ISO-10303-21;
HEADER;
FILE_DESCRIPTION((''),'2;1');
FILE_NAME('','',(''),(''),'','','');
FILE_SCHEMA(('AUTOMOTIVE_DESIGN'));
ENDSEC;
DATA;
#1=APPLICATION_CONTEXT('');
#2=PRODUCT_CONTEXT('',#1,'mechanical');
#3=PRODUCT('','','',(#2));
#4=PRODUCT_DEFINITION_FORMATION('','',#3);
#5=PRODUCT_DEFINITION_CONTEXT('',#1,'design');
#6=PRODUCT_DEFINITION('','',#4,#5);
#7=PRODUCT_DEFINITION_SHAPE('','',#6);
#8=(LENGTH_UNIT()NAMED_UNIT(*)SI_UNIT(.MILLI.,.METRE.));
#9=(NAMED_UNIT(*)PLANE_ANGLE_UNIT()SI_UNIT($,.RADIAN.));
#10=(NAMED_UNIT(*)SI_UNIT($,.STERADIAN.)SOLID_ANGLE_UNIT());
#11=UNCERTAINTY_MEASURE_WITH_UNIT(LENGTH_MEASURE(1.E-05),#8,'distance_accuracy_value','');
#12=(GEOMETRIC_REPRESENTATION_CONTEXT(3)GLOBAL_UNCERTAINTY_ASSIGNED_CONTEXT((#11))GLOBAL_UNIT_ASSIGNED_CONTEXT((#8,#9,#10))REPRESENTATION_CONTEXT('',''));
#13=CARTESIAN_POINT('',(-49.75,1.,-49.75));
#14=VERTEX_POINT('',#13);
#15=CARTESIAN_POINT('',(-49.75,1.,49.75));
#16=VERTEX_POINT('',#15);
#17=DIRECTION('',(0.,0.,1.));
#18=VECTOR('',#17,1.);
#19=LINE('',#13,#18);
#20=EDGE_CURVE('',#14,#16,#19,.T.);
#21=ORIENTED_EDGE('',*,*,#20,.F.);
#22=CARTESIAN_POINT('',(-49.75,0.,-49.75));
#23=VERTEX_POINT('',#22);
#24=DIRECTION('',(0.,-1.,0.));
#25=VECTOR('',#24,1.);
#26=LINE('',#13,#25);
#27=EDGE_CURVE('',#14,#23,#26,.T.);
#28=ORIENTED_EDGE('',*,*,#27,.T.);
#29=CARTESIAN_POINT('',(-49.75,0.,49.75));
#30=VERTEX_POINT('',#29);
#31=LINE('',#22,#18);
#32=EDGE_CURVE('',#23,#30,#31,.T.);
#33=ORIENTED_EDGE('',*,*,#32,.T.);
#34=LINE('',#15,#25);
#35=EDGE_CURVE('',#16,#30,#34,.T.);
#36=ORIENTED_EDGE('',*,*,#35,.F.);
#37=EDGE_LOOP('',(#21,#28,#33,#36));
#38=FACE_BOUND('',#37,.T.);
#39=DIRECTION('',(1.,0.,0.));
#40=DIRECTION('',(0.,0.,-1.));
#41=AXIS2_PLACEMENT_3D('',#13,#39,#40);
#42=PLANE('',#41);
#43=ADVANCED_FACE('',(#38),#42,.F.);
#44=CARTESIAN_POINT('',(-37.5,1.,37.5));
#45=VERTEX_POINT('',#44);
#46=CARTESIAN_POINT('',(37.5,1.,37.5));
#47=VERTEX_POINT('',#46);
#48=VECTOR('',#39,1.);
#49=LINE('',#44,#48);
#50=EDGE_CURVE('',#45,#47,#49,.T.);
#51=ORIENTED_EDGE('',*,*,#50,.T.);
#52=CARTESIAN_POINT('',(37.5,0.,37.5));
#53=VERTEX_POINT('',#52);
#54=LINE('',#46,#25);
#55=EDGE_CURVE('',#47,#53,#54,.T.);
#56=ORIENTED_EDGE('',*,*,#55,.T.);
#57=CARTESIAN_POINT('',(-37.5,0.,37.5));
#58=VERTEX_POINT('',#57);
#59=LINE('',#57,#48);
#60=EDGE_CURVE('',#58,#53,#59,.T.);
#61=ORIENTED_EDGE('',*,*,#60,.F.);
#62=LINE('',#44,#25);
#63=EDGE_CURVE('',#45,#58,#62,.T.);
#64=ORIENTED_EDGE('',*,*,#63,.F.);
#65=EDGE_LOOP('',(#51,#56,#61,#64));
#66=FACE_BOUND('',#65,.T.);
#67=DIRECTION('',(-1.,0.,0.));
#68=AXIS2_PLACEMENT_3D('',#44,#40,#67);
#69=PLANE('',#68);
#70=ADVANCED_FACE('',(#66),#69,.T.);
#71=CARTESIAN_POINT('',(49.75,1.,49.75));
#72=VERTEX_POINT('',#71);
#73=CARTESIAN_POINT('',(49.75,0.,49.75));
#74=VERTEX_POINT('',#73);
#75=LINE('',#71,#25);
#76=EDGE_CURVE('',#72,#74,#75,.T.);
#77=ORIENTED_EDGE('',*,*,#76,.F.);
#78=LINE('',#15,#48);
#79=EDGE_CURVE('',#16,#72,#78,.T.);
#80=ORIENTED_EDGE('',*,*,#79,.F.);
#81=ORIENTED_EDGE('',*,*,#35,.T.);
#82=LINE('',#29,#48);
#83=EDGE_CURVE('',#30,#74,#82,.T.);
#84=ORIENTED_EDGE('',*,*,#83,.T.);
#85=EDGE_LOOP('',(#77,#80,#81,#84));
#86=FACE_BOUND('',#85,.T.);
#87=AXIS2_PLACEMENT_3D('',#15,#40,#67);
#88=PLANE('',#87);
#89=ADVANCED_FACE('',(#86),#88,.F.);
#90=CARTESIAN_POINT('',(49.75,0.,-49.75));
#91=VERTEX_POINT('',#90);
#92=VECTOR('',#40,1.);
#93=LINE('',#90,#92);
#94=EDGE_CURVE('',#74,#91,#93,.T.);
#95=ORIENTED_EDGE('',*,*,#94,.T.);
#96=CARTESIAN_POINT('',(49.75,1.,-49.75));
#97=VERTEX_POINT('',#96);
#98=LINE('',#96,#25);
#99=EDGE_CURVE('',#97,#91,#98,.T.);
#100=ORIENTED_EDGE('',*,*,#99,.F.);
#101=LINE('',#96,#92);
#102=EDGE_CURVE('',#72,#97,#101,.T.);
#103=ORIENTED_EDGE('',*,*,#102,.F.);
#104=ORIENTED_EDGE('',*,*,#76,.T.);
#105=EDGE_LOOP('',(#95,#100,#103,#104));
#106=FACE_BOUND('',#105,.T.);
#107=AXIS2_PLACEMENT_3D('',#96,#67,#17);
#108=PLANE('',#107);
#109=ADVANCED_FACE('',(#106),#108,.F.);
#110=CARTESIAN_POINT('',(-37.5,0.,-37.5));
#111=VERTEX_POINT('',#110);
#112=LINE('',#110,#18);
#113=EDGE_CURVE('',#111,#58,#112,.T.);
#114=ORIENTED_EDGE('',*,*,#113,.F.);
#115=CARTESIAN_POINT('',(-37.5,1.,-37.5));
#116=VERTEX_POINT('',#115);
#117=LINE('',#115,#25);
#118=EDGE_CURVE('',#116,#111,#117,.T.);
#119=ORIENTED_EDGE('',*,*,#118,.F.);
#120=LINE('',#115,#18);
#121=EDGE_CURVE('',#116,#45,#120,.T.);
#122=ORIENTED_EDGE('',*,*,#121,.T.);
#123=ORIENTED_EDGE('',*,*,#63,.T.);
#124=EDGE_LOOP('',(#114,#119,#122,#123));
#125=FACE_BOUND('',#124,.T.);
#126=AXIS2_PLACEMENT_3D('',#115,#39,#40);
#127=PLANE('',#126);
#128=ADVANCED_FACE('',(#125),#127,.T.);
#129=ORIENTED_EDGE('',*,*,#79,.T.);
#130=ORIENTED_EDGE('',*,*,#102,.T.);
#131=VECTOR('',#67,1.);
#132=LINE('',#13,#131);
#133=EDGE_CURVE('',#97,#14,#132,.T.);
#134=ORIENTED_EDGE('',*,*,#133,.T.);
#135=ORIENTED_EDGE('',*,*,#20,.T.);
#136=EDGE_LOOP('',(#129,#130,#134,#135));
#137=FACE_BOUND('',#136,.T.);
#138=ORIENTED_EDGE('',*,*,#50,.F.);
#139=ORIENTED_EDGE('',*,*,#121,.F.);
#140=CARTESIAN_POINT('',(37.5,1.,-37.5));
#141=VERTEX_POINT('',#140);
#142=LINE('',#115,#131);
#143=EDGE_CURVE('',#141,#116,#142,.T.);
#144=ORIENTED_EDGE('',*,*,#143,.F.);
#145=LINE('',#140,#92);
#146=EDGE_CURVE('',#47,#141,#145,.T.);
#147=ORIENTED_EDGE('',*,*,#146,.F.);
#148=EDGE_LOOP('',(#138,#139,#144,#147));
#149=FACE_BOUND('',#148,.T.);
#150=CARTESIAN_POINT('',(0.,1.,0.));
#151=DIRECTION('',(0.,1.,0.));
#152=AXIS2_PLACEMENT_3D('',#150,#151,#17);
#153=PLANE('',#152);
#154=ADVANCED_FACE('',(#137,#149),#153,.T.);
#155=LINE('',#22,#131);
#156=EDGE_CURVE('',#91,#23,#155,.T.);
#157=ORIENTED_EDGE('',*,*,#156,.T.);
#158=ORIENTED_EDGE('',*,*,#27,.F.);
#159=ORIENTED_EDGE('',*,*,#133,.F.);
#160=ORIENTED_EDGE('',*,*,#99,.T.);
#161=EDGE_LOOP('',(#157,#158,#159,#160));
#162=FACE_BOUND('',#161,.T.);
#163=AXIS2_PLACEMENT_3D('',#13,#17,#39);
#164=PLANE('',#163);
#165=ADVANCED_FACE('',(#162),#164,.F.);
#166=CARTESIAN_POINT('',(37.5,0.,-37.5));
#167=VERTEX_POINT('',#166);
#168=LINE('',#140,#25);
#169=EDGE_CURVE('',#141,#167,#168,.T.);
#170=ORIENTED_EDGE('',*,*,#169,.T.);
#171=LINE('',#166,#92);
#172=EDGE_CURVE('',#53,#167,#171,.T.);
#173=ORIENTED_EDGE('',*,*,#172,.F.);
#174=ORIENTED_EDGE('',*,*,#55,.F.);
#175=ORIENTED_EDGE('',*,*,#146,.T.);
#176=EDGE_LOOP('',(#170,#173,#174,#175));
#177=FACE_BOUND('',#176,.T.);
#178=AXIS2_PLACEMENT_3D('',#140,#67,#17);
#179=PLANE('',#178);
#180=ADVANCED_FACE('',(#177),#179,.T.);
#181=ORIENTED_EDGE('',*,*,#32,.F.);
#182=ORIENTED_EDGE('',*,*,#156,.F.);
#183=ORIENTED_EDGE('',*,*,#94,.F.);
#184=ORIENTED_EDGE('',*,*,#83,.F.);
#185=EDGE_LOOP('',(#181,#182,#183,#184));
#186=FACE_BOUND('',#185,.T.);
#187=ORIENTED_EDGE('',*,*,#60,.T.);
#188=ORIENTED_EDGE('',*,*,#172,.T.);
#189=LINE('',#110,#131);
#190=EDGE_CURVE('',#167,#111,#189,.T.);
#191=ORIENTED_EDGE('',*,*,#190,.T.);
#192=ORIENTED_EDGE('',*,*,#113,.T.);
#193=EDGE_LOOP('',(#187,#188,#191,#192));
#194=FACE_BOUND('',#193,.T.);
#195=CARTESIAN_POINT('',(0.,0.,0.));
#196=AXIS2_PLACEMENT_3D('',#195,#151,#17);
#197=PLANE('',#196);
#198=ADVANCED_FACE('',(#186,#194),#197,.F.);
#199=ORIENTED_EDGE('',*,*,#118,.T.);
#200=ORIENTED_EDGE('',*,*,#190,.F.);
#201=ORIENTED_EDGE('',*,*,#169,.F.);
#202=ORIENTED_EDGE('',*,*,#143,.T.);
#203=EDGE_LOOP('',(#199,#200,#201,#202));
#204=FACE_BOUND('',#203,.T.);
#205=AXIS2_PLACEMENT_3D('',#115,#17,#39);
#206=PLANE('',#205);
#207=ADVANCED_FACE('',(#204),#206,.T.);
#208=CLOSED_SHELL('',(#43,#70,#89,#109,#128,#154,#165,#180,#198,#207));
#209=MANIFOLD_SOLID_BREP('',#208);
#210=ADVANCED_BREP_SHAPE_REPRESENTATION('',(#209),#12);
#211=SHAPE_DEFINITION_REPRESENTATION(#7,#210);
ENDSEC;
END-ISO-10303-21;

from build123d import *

# Parameters (mm, degrees)
CROQUIS1_W              = 99.5
CROQUIS1_H              = 99.5
CROQUIS1_W_2            = 75
CROQUIS1_H_2            = 75
SALIENTE_EXTRUIR1_DEPTH = 1


with BuildPart() as part:
    # Croquis1 → Saliente-Extruir1 (new body)
    with BuildSketch(Plane(origin=(0, 0, 0), x_dir=(1, 0, 0), z_dir=(0, 1, 0))):
        Rectangle(CROQUIS1_W, CROQUIS1_H)
        Rectangle(CROQUIS1_W_2, CROQUIS1_H_2, mode=Mode.SUBTRACT)
    extrude(amount=SALIENTE_EXTRUIR1_DEPTH)


solid = part.part
